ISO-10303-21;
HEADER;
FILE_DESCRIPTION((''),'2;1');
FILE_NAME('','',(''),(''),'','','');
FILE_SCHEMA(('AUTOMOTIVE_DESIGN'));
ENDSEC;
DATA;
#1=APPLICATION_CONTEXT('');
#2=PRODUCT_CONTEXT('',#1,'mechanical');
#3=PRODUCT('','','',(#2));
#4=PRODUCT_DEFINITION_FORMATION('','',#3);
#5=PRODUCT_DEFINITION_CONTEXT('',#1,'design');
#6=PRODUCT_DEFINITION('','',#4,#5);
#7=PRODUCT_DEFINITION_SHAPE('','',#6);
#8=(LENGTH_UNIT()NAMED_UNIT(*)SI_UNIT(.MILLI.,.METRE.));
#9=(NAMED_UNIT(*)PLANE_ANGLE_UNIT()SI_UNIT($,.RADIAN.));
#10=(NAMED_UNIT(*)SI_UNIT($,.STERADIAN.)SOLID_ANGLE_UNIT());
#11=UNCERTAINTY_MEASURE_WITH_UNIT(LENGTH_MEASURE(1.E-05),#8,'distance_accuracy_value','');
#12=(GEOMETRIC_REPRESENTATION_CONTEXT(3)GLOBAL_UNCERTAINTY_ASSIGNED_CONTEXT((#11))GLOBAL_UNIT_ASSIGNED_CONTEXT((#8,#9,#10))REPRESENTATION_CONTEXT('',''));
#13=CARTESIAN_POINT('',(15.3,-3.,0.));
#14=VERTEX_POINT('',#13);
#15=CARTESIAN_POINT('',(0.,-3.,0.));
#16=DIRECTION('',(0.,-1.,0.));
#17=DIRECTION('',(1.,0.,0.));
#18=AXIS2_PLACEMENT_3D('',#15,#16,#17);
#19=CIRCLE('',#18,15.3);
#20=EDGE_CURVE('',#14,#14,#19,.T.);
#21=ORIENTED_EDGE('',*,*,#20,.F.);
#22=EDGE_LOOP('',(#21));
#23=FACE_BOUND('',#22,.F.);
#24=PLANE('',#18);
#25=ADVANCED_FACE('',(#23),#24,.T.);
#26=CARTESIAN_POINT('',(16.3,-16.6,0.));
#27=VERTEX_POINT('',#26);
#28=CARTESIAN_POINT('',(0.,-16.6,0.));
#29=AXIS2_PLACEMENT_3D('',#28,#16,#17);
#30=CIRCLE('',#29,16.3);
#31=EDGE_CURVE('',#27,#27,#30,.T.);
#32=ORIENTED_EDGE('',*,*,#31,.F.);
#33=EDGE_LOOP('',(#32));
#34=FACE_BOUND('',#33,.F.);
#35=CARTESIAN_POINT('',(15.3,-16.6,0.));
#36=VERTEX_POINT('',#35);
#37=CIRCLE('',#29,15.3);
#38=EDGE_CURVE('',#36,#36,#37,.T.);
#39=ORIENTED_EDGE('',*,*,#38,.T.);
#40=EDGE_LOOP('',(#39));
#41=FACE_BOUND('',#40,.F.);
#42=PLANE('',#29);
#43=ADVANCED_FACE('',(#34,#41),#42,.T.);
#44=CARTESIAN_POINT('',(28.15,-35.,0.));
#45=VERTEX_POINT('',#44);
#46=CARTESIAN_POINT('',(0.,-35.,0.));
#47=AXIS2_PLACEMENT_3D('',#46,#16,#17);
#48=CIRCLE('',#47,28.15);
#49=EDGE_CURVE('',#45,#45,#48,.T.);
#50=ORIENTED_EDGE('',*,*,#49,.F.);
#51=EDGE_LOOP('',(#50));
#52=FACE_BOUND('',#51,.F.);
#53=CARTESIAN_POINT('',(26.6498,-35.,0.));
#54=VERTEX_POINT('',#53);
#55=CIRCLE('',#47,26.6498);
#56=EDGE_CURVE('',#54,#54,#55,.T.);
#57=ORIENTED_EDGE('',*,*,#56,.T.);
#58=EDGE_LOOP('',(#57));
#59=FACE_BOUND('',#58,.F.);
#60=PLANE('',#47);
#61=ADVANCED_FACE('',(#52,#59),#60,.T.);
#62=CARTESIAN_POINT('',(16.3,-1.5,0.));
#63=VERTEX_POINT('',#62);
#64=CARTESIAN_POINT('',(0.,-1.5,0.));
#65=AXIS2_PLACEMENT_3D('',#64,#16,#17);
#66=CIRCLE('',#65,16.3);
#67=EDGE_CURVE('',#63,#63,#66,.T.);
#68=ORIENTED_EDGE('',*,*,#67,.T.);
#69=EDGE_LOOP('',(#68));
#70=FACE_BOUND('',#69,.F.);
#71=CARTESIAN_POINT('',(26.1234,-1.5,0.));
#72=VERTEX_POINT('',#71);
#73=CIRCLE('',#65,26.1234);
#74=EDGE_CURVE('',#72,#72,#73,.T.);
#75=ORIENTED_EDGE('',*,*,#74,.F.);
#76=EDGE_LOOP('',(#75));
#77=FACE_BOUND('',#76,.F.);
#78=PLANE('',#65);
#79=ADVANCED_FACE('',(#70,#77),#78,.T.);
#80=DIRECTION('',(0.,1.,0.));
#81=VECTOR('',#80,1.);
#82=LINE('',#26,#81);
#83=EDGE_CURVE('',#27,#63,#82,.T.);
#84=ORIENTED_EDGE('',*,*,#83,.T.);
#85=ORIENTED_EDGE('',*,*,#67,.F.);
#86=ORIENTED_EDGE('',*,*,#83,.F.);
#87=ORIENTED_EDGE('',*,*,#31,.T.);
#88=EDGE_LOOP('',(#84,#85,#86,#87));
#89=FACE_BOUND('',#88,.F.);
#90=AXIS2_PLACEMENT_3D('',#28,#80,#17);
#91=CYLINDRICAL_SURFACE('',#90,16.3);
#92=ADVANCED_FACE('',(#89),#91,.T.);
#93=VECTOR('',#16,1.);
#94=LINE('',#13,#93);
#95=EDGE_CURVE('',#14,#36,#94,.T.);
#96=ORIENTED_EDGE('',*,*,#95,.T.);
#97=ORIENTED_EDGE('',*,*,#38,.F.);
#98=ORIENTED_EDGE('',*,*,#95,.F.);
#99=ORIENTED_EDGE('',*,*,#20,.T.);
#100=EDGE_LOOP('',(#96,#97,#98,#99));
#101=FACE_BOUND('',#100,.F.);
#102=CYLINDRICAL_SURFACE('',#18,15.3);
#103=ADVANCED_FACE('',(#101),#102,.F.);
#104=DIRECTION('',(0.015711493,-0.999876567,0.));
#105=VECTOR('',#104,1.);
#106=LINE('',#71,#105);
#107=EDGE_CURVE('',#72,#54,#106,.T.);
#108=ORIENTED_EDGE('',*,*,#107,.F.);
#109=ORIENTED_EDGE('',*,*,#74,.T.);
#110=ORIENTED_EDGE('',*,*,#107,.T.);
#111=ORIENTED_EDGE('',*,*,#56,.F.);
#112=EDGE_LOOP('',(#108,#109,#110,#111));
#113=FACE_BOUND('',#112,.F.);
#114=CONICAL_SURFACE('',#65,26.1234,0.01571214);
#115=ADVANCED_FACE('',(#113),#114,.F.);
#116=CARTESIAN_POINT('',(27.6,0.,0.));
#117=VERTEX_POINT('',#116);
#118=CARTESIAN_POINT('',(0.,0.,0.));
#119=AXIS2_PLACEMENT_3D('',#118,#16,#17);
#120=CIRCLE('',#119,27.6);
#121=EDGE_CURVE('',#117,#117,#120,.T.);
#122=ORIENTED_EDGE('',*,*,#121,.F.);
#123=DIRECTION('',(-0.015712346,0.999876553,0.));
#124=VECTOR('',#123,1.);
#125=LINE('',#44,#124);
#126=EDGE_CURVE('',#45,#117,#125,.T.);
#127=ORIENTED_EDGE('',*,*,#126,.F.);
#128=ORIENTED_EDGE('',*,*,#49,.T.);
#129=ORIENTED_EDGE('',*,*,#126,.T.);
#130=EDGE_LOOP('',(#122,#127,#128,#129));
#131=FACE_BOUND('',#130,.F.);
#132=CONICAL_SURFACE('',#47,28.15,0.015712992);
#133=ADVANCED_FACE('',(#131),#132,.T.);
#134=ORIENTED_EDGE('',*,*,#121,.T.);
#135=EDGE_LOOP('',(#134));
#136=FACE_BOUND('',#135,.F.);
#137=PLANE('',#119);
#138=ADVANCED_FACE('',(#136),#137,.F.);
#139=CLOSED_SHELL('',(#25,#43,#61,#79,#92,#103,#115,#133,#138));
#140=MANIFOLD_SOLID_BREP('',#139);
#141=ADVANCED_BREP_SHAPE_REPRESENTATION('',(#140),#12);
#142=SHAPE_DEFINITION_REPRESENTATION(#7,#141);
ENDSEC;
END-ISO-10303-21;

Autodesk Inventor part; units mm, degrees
ref_plane "YZ Plane" through (0, 0, 0) normal (1, 0, 0) x (0, 1, 0)
ref_plane "XZ Plane" through (0, 0, 0) normal (0, 1, 0) x (-1, 0, 0)
ref_plane "XY Plane" through (0, 0, 0) normal (0, 0, 1) x (1, 0, 0)
sketch "Esquisse1" plane through (0, 0, 0) normal (0, 0, 1) x (1, 0, 0)
  line L0 (28.15, -35) -> (27.6, 0)
  line L1 (27.6, 0) -> (0, 0)
  line L2 (0, 0) -> (0, -3)
  line L3 (0, -3) -> (15.3, -3)
  line L4 (15.3, -3) -> (15.3, -16.6)
  line L5 (15.3, -16.6) -> (16.3, -16.6)
  line L6 (16.3, -16.6) -> (16.3, -1.5)
  line L7 (16.3, -1.5) -> (26.1234, -1.5)
  line L8 (26.1234, -1.5) -> (26.6498, -35)
  line L9 (26.6498, -35) -> (28.15, -35)
  dimension "d0" = 35
  dimension "d1" = 55.2
  dimension "d2" = 56.3
  dimension "d3" = 1.5
  dimension "d4" = 32.6
  dimension "d5" = 1
  dimension "d7" = 18.4
  dimension "d8" = 33.5
  dimension "d10" = 3
revolve "Révolution1" add sketch "Esquisse1" angle 360 about axis through (0, 0, 0) along (0, -1, 0)
properties part number "bouchon" material "Plastique PPS"
